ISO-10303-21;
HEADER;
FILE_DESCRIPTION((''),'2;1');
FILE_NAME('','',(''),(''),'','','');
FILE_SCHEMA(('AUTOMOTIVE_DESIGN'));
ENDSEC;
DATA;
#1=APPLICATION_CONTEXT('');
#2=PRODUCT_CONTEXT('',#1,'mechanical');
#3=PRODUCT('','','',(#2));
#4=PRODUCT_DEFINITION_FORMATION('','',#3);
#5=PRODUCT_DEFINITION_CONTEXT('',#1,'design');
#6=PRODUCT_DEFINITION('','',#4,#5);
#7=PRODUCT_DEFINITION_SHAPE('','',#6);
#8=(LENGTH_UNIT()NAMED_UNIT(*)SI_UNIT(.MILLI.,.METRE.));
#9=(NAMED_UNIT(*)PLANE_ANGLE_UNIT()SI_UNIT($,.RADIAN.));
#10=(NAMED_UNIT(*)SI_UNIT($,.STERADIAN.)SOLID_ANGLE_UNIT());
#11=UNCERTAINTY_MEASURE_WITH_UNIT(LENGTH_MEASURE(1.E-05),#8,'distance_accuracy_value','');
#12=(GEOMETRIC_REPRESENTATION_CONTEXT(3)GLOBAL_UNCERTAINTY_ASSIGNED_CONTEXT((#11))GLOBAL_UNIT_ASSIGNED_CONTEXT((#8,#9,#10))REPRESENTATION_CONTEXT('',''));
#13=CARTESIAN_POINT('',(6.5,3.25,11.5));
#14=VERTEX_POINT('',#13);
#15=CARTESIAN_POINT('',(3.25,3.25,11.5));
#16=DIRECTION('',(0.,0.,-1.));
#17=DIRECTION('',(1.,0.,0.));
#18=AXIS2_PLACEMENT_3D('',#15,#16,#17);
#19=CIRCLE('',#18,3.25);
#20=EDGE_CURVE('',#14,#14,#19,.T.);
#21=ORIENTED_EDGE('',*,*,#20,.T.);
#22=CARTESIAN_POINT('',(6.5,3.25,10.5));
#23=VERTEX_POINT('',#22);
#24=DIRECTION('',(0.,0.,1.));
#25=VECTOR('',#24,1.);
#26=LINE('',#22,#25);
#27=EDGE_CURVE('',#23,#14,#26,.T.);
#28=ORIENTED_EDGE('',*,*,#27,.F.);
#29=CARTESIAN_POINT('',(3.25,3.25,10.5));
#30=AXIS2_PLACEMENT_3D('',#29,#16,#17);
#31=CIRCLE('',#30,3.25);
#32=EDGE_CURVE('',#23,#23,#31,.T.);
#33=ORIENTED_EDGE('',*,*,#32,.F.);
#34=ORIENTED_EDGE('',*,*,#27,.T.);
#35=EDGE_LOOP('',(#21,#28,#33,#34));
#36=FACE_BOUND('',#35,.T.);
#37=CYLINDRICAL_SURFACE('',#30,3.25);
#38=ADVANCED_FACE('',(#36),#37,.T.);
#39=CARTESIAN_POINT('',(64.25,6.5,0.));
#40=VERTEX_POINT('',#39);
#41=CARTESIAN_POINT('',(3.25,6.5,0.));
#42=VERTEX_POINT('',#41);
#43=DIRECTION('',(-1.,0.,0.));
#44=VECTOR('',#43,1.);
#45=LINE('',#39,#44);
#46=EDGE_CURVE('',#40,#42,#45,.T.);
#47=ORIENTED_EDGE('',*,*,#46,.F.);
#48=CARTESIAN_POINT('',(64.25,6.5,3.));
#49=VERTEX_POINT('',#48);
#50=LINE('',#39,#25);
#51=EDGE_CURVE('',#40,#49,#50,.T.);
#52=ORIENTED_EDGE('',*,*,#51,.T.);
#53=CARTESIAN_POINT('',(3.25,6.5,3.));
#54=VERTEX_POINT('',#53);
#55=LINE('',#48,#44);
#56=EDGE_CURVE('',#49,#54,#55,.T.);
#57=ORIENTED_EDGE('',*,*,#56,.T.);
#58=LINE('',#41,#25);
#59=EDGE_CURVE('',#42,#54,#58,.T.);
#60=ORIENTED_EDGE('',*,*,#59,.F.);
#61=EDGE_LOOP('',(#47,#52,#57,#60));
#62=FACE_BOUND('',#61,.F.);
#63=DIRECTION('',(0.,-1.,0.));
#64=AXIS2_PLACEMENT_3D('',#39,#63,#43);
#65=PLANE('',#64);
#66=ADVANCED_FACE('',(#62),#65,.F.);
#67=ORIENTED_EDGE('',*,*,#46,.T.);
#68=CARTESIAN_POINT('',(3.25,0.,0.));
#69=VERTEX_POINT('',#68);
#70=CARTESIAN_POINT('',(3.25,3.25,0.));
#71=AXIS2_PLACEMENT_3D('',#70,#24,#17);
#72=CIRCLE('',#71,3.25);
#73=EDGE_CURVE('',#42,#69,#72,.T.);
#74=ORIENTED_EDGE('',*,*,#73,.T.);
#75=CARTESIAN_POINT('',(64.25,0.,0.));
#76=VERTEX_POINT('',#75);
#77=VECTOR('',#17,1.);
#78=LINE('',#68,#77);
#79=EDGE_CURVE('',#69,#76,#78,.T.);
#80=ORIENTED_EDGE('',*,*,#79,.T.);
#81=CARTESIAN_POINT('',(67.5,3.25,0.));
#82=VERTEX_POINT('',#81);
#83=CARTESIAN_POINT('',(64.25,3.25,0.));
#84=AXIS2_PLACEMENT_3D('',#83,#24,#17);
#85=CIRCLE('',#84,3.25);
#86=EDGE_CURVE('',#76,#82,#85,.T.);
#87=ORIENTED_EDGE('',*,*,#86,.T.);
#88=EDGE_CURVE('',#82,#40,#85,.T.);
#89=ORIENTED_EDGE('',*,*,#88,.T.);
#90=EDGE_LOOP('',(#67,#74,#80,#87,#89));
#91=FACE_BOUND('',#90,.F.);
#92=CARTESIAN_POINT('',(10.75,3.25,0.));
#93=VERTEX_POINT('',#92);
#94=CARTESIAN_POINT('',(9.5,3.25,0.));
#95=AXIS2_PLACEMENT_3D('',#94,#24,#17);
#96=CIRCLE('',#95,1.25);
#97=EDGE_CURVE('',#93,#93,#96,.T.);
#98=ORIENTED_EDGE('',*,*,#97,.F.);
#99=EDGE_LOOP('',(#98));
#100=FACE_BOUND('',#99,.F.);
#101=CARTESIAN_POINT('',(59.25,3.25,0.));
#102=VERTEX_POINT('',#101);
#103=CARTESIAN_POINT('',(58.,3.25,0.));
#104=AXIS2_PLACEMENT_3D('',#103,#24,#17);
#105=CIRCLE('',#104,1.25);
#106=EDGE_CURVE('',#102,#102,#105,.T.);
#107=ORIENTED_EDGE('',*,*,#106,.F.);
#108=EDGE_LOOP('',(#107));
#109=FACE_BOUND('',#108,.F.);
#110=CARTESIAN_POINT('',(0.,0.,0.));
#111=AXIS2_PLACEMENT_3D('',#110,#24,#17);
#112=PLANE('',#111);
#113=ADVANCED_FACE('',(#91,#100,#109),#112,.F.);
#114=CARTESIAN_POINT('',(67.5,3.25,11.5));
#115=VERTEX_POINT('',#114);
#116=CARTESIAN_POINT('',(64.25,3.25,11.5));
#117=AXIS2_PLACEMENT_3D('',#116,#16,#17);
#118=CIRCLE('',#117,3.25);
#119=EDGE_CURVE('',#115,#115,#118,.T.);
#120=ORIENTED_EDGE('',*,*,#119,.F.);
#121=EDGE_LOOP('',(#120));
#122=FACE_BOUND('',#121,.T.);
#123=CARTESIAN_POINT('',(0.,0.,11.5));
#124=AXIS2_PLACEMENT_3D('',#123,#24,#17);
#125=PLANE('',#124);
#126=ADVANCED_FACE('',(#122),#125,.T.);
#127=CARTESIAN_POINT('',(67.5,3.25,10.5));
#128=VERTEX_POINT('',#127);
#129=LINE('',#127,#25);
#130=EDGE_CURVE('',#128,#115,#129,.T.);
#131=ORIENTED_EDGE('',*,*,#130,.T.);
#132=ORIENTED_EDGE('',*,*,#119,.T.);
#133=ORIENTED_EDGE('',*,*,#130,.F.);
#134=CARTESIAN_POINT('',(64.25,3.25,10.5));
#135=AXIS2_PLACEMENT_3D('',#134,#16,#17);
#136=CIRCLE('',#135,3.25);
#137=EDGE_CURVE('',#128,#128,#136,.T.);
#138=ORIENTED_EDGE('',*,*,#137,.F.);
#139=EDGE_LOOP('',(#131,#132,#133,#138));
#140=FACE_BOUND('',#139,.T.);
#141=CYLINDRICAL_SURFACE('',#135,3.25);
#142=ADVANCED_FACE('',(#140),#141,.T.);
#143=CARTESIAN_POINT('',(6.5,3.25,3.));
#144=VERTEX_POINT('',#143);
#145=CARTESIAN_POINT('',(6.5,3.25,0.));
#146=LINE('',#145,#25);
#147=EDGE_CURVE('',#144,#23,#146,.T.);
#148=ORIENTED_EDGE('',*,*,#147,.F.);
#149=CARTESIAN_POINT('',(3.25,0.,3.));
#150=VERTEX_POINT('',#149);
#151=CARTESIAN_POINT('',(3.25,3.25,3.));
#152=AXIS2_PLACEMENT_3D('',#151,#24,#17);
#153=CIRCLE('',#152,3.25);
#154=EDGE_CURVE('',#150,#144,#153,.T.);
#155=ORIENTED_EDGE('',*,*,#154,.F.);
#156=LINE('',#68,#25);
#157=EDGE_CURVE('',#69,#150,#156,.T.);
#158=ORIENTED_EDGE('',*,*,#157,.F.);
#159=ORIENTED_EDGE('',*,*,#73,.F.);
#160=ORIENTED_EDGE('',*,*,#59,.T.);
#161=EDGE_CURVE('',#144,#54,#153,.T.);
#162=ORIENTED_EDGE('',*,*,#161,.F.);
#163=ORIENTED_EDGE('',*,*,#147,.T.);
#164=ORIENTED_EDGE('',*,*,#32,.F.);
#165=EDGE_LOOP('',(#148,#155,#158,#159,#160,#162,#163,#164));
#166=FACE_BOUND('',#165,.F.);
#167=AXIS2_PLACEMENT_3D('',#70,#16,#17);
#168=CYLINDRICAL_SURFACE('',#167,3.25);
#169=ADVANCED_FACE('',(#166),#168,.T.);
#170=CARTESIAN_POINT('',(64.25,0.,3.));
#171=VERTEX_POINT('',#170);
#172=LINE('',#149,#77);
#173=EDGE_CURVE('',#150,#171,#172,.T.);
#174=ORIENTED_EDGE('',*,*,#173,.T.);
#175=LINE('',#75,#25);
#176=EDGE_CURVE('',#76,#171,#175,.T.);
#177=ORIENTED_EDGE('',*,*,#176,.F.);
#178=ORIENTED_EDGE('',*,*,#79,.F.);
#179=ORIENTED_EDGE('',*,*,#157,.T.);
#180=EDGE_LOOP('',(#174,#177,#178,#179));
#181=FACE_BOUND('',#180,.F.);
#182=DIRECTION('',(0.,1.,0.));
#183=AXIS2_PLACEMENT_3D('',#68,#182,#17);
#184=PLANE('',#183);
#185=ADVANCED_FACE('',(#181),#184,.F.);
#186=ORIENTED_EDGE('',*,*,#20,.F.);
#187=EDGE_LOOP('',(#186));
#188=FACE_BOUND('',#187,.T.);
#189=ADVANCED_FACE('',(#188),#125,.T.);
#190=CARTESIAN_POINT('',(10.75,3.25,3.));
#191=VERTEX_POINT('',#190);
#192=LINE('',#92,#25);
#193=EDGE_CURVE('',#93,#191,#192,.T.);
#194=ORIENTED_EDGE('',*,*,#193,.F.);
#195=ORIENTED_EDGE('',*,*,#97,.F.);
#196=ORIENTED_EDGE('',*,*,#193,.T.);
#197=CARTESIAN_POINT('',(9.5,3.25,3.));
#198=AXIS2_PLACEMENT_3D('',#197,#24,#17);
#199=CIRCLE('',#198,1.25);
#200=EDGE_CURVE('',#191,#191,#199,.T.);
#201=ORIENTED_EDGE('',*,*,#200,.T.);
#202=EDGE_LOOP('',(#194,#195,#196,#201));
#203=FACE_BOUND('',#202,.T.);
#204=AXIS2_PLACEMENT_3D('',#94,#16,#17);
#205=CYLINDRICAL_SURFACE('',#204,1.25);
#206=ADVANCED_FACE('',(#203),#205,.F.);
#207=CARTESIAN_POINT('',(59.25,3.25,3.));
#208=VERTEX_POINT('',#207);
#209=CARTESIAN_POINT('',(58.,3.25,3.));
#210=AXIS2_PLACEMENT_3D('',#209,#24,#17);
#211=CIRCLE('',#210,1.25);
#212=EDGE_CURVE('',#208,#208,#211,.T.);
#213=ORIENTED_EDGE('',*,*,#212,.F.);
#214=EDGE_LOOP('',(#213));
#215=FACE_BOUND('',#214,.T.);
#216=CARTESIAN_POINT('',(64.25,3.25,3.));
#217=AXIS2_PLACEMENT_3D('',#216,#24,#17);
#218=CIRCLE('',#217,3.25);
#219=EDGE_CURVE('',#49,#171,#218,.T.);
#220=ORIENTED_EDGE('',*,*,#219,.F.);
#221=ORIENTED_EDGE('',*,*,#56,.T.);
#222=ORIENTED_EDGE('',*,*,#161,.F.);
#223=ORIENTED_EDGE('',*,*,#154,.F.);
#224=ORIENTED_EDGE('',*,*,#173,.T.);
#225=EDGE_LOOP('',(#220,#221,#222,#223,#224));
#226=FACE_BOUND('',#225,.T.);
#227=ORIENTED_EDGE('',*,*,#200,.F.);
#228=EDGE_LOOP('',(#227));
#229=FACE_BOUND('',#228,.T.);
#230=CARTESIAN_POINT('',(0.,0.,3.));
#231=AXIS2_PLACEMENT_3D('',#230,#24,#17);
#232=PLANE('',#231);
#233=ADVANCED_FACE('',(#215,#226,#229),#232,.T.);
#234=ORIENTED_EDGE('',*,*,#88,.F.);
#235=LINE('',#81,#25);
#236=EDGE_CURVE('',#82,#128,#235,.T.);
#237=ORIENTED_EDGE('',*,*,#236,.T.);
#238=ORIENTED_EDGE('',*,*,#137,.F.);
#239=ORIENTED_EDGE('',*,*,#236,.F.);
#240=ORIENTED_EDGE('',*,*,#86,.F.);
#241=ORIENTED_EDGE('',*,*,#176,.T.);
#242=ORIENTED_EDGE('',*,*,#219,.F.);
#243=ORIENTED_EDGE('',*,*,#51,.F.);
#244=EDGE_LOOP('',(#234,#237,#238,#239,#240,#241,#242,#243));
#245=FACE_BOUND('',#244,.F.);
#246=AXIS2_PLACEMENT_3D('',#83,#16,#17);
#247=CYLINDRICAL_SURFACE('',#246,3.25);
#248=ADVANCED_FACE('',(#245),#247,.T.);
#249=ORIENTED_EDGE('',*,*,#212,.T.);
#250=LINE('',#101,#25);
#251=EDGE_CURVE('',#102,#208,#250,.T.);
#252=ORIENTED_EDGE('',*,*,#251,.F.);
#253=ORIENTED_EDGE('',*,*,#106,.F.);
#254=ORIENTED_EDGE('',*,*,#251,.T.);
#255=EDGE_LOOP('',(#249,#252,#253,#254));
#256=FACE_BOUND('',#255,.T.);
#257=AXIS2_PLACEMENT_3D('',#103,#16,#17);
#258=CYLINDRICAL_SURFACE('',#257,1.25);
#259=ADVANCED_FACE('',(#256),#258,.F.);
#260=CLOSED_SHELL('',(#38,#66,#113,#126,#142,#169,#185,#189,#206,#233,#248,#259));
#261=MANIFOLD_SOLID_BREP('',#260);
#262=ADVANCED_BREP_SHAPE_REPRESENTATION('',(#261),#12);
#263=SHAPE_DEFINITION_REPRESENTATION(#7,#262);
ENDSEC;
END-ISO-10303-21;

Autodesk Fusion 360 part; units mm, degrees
sketch "Boceto1" plane through (0, 0, 0) normal (0, 0, 1) x (1, 0, 0)
  line L0 (3.25, 0) -> (64.25, 0)
  line L1 (64.25, 6.5) -> (3.25, 6.5)
  circle A0 centre (9.5, 3.25) radius 1.25
  circle A1 centre (3.25, 3.25) radius 3.25
  circle A2 centre (64.25, 3.25) radius 3.25
  circle A3 centre (58, 3.25) radius 1.25
  dimension "d12" = 2.5
  dimension "d14" = 6.5
extrude "Extruir1" add sketch "Boceto1" along normal blind 3 contours L0 L1 A1 A2
extrude "Extruir2" add sketch "Boceto1" along normal blind 10.5 contours A1
extrude "Extruir3" add sketch "Boceto1" along normal blind 10.5 contours A2
extrude "Extruir4" add 1 faces at (3.7107, 2.452, 10.5) along direction (0, 0, 1) blind 1
extrude "Extruir5" add 1 faces at (63.0857, 4.3303, 10.5) along direction (0, 0, 1) blind 1
